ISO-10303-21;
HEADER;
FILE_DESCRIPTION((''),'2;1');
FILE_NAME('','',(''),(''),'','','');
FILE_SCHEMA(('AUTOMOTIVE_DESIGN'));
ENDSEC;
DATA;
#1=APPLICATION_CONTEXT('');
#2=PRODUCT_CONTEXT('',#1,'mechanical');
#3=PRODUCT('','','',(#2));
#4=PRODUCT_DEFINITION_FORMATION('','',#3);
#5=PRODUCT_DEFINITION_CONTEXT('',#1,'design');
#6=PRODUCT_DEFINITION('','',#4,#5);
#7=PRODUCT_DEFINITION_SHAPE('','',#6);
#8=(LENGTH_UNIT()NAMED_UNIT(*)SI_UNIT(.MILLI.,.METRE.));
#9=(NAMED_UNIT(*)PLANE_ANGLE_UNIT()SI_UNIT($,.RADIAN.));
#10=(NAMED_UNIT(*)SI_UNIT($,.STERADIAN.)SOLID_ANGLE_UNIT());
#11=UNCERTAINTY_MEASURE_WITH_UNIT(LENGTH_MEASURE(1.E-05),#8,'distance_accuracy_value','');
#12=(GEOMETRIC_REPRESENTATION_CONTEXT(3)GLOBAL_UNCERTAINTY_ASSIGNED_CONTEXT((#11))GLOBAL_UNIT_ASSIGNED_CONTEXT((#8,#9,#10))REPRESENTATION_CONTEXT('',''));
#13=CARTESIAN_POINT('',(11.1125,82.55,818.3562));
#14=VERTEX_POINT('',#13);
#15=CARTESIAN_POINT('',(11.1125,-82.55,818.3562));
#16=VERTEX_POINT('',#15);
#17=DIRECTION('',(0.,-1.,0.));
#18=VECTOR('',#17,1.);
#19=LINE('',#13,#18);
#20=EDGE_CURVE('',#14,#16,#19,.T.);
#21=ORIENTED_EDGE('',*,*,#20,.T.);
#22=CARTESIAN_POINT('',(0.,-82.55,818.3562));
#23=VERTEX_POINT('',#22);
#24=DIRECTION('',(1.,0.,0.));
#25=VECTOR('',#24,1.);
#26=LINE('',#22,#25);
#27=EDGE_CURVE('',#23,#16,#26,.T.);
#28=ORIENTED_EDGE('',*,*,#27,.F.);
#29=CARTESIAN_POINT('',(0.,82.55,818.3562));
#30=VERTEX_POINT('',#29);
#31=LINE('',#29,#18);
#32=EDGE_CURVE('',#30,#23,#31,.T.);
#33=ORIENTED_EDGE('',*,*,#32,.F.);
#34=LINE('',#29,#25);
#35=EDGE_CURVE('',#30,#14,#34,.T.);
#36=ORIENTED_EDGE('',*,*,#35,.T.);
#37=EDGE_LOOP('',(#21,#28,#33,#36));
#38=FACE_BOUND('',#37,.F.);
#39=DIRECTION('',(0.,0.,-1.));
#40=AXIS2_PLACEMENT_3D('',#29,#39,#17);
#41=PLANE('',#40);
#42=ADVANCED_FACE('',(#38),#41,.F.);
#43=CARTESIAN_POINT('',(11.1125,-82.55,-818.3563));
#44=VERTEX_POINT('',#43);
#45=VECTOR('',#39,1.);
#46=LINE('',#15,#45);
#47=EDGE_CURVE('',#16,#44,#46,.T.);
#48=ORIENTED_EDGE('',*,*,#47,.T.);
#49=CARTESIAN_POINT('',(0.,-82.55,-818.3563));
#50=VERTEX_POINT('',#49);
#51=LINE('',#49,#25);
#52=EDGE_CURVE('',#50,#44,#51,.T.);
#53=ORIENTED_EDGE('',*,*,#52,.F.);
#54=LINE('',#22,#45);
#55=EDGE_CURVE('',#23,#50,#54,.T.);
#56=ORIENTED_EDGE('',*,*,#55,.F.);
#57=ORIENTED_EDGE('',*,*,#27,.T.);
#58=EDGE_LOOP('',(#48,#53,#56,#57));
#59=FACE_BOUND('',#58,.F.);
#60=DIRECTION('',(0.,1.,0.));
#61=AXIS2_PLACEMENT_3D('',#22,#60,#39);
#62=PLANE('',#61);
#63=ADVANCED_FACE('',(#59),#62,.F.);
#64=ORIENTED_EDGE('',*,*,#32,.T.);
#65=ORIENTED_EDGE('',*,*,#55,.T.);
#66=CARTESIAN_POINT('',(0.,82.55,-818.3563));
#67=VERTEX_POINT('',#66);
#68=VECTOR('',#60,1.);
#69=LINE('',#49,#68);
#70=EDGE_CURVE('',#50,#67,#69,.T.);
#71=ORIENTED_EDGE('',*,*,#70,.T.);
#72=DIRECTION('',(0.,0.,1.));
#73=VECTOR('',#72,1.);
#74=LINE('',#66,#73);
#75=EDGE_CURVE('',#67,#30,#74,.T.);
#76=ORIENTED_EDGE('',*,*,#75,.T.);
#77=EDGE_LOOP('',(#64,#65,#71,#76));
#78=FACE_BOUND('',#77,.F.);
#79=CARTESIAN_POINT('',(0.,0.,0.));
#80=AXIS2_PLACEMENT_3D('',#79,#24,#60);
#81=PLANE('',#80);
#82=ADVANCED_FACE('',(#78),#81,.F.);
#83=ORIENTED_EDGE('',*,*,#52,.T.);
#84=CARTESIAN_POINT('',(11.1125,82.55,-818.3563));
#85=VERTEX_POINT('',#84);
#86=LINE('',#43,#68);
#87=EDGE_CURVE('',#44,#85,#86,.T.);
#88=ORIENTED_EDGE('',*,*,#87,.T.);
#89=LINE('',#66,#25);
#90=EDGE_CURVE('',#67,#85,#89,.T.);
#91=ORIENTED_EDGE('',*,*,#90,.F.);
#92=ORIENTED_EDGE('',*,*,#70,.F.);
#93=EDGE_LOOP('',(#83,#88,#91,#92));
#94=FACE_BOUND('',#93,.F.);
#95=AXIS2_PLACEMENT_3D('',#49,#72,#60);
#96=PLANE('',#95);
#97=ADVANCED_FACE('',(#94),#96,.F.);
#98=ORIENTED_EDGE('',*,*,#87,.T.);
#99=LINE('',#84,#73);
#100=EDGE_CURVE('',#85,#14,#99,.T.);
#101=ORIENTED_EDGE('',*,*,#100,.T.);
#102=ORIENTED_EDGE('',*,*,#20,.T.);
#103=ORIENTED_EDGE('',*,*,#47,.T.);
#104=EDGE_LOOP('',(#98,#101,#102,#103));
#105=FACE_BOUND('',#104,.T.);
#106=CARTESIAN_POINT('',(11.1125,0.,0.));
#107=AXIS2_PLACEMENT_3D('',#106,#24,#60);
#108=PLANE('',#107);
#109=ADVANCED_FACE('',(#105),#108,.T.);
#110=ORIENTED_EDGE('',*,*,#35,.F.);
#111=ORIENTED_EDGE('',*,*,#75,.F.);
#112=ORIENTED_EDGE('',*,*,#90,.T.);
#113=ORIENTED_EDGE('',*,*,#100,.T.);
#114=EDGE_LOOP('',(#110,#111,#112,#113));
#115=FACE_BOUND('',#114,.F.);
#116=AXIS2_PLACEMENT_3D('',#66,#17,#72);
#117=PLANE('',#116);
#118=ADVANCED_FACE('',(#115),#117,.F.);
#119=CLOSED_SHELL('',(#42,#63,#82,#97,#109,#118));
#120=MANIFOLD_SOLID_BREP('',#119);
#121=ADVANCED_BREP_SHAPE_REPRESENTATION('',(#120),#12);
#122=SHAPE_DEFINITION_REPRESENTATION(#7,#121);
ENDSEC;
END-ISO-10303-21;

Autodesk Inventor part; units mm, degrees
ref_plane "YZ Plane" through (0, 0, 0) normal (1, 0, 0) x (0, 1, 0)
ref_plane "XZ Plane" through (0, 0, 0) normal (0, 1, 0) x (-1, 0, 0)
ref_plane "XY Plane" through (0, 0, 0) normal (0, 0, 1) x (1, 0, 0)
sketch "Sketch1" plane through (0, 0, 0) normal (1, 0, 0) x (0, 1, 0)
  line L0 (-82.55, 818.3562) -> (-82.55, -818.3563)
  line L1 (-82.55, -818.3563) -> (82.55, -818.3563)
  line L2 (82.55, -818.3563) -> (82.55, 818.3562)
  line L3 (82.55, 818.3562) -> (-82.55, 818.3562)
  line L4 (-82.55, 818.3562) -> (82.55, -818.3563) construction
  line L5 (-82.55, -818.3563) -> (82.55, 818.3562) construction
  point P0 (0, 0)
  dimension "d0" = 1636.7125
  dimension "d1" = 165.1
extrude "Extrusion1" add sketch "Sketch1" along normal blind 11.1125
properties part number "Home Depot Composite Slat 64 7_16 in" material "Wood (Cherry)"
